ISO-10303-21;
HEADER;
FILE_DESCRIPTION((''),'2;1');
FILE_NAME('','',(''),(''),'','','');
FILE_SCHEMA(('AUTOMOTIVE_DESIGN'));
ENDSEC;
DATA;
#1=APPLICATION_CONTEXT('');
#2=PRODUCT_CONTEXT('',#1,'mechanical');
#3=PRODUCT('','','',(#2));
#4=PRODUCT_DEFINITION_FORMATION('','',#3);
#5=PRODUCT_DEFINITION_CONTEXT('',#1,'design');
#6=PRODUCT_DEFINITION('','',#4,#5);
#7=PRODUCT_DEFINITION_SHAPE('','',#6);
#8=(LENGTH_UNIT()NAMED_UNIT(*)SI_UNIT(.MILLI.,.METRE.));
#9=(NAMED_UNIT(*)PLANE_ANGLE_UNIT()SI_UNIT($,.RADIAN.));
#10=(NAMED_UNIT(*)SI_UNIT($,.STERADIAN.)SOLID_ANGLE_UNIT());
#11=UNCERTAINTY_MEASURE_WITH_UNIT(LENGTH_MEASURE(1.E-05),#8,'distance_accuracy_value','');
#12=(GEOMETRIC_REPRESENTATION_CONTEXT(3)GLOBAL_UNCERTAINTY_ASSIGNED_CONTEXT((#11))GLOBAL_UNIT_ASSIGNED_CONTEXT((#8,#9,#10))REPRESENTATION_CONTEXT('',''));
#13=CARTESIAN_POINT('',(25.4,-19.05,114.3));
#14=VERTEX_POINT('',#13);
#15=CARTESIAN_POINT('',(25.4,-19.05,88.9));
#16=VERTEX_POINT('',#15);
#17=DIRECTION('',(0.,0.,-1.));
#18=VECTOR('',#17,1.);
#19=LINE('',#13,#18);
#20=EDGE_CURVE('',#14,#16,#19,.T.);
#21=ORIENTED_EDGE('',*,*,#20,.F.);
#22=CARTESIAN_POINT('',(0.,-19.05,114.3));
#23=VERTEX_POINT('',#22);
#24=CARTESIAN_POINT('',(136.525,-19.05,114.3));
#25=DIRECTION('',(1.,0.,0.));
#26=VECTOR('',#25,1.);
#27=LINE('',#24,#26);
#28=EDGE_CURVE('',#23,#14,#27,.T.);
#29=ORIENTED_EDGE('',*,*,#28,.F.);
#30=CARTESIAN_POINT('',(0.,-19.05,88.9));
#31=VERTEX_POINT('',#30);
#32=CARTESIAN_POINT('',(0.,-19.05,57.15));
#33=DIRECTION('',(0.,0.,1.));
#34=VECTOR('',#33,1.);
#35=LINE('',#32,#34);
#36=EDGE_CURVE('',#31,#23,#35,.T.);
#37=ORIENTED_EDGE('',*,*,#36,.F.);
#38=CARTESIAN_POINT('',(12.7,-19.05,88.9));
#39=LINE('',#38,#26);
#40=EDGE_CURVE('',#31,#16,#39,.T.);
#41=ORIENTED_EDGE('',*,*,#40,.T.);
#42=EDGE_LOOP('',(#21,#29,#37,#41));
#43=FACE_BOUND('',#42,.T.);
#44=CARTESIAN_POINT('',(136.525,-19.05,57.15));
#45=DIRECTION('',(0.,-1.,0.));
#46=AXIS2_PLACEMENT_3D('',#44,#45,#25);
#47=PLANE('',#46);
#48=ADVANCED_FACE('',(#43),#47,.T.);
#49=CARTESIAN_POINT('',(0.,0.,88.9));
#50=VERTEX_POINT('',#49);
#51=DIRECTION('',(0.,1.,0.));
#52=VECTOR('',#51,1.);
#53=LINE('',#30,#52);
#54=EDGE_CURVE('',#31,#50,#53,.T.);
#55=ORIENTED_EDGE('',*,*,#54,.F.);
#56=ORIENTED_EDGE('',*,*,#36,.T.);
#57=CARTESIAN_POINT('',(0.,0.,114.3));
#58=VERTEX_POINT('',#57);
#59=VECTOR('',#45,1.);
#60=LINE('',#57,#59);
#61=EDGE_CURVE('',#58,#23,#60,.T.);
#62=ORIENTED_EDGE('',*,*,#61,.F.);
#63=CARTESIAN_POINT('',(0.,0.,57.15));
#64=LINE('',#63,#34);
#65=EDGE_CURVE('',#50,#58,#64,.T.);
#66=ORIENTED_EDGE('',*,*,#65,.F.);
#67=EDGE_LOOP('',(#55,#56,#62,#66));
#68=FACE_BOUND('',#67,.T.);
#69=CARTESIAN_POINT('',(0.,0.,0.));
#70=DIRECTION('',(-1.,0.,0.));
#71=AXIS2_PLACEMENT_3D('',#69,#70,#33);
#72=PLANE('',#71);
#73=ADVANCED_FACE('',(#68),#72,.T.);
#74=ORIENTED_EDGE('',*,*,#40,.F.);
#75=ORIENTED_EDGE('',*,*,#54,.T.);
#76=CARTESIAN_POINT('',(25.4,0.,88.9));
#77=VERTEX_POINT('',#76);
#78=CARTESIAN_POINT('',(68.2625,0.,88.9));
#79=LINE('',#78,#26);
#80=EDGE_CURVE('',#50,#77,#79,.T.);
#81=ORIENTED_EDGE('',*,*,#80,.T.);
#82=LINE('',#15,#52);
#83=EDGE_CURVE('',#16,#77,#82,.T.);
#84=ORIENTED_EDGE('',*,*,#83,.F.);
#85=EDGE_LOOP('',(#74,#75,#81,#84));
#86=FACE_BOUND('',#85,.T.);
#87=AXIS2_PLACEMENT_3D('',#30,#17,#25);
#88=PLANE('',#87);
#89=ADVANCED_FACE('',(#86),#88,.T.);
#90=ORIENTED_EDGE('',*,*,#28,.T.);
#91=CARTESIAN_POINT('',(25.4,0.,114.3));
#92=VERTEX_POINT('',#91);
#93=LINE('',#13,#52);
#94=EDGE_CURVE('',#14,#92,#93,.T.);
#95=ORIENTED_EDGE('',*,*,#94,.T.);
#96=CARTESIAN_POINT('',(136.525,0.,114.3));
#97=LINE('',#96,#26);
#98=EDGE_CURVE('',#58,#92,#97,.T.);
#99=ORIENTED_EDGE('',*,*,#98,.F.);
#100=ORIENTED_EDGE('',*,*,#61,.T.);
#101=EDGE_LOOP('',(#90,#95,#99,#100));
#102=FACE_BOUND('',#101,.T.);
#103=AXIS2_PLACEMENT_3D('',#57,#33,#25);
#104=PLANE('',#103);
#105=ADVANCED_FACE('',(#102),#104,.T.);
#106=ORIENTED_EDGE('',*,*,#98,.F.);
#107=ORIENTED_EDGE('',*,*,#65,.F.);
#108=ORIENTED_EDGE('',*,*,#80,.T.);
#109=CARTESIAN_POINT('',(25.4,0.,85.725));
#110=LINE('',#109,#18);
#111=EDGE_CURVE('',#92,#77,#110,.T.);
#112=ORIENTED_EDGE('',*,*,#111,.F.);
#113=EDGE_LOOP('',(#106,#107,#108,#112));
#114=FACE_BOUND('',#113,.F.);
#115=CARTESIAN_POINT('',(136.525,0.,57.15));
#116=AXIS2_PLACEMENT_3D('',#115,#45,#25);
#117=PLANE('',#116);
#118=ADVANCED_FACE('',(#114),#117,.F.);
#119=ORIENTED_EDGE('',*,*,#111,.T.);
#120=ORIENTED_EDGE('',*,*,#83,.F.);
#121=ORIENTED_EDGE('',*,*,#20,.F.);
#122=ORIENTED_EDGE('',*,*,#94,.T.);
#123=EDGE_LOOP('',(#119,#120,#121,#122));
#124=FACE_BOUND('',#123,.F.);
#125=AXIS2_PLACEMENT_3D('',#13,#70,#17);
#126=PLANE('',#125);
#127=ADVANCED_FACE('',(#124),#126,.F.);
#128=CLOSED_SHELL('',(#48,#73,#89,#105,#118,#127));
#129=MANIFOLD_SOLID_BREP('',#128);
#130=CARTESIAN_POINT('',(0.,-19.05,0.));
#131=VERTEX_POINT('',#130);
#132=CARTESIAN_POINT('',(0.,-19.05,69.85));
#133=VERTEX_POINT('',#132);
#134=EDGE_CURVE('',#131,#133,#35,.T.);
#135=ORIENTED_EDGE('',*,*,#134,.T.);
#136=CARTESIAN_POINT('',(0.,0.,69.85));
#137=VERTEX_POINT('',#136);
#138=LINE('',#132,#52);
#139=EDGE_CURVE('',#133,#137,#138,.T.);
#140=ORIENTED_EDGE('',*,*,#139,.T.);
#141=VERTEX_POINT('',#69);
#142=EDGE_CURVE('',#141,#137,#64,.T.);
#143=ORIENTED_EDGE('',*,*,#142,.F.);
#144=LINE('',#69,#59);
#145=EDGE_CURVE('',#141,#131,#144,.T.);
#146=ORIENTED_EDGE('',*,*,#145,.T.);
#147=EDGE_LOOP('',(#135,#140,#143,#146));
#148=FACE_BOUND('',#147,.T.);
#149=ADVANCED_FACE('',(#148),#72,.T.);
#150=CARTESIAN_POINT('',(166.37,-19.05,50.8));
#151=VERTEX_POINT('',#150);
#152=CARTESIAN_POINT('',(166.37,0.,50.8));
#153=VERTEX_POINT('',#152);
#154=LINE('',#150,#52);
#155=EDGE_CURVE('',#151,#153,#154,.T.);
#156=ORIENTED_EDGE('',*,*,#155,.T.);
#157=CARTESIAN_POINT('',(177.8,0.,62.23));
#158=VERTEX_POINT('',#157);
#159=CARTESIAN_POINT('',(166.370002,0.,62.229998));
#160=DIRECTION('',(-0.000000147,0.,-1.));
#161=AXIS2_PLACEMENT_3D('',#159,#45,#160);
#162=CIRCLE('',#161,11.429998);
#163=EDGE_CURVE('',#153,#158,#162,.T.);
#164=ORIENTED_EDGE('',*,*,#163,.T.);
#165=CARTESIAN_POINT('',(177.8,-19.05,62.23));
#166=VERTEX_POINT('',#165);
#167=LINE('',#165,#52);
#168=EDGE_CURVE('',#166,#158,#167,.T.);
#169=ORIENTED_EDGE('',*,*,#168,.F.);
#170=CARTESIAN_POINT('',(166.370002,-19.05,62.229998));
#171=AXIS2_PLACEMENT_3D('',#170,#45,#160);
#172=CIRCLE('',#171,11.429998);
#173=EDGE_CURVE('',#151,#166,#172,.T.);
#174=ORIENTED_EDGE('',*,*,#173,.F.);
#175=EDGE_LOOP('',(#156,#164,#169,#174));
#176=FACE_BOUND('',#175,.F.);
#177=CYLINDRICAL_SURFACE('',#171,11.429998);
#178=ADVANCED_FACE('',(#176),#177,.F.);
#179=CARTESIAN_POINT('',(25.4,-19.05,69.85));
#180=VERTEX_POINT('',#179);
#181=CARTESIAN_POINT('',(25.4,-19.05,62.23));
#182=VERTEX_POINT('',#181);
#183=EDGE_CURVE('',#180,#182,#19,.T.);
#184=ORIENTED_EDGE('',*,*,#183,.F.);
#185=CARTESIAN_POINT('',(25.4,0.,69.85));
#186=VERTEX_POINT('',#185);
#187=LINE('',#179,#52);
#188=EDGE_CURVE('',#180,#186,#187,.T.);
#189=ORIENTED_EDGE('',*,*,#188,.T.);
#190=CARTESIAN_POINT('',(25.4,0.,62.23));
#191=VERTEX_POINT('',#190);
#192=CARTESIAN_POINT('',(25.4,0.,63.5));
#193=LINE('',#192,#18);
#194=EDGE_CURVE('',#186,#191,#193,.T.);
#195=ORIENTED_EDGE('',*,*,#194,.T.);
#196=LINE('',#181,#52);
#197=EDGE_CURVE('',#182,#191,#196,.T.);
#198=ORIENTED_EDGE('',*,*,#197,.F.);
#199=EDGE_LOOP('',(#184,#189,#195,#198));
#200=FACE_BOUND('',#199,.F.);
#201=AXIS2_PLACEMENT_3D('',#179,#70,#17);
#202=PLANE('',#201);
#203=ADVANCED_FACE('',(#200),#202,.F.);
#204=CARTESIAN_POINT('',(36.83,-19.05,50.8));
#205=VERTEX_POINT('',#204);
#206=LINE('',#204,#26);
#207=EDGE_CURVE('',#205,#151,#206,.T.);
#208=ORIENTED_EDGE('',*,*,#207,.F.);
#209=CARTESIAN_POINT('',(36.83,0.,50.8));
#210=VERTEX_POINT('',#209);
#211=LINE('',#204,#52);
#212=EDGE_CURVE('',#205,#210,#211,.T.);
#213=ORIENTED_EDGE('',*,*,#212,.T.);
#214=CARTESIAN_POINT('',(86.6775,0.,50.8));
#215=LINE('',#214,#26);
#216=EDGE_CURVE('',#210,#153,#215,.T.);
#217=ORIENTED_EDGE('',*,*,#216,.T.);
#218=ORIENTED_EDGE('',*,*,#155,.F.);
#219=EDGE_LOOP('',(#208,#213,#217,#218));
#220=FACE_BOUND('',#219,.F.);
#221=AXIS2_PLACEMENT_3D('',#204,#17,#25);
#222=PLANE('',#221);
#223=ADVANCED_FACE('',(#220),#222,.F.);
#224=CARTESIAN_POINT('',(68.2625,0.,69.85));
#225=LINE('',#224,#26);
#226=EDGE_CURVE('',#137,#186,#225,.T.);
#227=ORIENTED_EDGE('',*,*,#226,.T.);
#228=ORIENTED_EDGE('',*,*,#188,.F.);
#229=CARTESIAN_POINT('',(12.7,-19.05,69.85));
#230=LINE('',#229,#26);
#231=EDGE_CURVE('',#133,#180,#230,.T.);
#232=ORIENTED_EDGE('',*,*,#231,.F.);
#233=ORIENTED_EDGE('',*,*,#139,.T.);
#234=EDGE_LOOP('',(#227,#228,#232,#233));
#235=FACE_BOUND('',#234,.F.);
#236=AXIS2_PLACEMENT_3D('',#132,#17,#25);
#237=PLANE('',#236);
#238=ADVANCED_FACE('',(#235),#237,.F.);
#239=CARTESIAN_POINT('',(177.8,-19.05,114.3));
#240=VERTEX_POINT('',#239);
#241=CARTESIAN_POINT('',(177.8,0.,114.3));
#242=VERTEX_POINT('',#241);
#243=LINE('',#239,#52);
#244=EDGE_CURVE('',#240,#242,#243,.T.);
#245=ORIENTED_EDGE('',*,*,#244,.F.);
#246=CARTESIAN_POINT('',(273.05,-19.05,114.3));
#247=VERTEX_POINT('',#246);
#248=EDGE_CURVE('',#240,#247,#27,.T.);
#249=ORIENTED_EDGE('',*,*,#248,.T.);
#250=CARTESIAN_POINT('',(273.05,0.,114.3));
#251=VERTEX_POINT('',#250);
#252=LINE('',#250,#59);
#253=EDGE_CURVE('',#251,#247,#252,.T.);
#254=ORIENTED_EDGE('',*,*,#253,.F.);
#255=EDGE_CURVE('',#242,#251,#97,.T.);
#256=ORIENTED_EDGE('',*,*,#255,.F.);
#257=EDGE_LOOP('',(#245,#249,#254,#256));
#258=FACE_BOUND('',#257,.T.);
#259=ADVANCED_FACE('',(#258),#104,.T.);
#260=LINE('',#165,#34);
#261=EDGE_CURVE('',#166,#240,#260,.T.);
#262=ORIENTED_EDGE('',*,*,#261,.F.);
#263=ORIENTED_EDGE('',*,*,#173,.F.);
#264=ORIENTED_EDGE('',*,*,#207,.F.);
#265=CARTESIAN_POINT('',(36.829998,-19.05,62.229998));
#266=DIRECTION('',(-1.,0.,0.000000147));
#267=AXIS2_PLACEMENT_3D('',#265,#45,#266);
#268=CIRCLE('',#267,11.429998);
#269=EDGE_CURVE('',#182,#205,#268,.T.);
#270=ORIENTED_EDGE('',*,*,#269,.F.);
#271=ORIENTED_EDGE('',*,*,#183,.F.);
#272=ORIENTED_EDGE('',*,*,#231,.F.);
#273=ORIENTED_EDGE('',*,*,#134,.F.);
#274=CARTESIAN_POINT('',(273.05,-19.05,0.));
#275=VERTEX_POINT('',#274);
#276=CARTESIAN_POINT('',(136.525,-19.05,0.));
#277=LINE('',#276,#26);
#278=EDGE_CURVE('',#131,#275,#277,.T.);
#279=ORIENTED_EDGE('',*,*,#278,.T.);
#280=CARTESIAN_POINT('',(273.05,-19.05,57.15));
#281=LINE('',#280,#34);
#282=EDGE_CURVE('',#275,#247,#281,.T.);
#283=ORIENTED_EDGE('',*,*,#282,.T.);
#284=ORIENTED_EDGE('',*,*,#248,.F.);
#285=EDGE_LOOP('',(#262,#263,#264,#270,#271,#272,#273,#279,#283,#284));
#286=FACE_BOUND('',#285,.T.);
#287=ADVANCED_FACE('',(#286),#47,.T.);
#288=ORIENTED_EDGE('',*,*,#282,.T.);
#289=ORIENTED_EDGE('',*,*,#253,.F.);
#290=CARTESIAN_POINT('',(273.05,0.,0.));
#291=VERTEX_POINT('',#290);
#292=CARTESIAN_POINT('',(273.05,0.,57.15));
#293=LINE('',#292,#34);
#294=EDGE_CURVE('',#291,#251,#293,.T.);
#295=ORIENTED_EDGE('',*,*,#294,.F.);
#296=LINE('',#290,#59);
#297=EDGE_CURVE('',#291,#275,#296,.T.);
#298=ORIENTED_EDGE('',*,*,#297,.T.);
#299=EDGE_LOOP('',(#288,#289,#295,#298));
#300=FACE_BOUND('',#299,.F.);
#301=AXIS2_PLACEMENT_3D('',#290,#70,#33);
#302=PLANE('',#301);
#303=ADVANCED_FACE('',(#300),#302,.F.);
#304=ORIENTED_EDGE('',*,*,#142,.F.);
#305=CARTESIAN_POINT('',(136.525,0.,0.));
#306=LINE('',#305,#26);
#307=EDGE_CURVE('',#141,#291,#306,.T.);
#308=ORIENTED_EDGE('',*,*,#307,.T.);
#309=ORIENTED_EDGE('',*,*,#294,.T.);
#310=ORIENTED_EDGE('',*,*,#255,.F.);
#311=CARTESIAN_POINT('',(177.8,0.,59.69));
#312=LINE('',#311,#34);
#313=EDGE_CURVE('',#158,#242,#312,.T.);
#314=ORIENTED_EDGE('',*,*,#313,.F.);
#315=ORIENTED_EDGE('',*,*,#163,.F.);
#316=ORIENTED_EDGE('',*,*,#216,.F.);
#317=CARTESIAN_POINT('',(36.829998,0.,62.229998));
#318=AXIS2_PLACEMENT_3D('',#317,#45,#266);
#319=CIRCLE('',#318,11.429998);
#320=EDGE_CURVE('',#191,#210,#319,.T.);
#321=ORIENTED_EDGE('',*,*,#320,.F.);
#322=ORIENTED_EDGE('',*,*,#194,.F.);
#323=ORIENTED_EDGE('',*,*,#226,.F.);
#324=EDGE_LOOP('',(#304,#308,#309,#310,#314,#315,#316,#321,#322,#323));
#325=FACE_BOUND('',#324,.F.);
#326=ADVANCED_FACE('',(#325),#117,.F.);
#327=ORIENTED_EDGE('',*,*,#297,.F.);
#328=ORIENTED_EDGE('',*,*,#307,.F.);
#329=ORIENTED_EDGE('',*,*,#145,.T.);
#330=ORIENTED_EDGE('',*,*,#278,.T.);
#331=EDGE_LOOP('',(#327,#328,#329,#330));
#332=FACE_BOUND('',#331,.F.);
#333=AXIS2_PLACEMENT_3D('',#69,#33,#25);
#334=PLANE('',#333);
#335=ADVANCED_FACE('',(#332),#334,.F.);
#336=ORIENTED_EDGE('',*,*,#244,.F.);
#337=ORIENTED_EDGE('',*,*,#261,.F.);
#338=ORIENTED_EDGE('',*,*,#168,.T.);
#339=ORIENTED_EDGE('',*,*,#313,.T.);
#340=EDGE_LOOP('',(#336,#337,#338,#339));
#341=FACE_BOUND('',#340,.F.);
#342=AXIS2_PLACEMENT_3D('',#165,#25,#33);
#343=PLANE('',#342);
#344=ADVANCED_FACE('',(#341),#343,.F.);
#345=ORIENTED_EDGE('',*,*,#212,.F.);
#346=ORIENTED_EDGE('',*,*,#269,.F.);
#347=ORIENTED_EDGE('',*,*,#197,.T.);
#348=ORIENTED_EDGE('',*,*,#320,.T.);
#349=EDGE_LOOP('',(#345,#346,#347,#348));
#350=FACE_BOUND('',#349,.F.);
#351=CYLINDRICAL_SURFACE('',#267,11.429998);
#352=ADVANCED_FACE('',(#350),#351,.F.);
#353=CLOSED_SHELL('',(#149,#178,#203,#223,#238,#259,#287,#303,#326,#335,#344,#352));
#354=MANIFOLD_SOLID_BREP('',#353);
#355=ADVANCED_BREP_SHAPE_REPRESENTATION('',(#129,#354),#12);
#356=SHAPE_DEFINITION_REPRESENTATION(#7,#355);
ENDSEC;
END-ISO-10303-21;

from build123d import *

# Parameters (mm, degrees)
F0_W     = 273.05
F0_H     = 114.3
F1_DEPTH = 19.05
F2_W     = 25.4
F2_H     = 19.05
F3_DEPTH = 25.4


with BuildPart() as f1:
    # F0 (on Front) → F1 (new body)
    with BuildSketch(Plane.XZ):
        with Locations((136.525, 57.15)):
            Rectangle(F0_W, F0_H)
    extrude(amount=F1_DEPTH)

    # F2 (on face) → F3 (cut)
    with BuildSketch(Plane.XZ.offset(19.05)):
        with Locations((12.7, 79.375)):
            Rectangle(F2_W, F2_H)
        with BuildLine():
            Line((25.4, 114.3), (25.4, 88.9))
            Line((25.4, 88.9), (25.4, 69.85))
            Line((25.4, 69.85), (25.4, 62.23))
            ThreePointArc((25.4, 62.23), (28.747769, 54.147769), (36.83, 50.8))
            Line((36.83, 50.8), (166.37, 50.8))
            ThreePointArc((166.37, 50.8), (174.452231, 54.147769), (177.8, 62.23))
            Line((177.8, 62.23), (177.8, 114.3))
            Line((177.8, 114.3), (25.4, 114.3))
        make_face()
    extrude(amount=-F3_DEPTH, mode=Mode.SUBTRACT)


solid = f1.part
